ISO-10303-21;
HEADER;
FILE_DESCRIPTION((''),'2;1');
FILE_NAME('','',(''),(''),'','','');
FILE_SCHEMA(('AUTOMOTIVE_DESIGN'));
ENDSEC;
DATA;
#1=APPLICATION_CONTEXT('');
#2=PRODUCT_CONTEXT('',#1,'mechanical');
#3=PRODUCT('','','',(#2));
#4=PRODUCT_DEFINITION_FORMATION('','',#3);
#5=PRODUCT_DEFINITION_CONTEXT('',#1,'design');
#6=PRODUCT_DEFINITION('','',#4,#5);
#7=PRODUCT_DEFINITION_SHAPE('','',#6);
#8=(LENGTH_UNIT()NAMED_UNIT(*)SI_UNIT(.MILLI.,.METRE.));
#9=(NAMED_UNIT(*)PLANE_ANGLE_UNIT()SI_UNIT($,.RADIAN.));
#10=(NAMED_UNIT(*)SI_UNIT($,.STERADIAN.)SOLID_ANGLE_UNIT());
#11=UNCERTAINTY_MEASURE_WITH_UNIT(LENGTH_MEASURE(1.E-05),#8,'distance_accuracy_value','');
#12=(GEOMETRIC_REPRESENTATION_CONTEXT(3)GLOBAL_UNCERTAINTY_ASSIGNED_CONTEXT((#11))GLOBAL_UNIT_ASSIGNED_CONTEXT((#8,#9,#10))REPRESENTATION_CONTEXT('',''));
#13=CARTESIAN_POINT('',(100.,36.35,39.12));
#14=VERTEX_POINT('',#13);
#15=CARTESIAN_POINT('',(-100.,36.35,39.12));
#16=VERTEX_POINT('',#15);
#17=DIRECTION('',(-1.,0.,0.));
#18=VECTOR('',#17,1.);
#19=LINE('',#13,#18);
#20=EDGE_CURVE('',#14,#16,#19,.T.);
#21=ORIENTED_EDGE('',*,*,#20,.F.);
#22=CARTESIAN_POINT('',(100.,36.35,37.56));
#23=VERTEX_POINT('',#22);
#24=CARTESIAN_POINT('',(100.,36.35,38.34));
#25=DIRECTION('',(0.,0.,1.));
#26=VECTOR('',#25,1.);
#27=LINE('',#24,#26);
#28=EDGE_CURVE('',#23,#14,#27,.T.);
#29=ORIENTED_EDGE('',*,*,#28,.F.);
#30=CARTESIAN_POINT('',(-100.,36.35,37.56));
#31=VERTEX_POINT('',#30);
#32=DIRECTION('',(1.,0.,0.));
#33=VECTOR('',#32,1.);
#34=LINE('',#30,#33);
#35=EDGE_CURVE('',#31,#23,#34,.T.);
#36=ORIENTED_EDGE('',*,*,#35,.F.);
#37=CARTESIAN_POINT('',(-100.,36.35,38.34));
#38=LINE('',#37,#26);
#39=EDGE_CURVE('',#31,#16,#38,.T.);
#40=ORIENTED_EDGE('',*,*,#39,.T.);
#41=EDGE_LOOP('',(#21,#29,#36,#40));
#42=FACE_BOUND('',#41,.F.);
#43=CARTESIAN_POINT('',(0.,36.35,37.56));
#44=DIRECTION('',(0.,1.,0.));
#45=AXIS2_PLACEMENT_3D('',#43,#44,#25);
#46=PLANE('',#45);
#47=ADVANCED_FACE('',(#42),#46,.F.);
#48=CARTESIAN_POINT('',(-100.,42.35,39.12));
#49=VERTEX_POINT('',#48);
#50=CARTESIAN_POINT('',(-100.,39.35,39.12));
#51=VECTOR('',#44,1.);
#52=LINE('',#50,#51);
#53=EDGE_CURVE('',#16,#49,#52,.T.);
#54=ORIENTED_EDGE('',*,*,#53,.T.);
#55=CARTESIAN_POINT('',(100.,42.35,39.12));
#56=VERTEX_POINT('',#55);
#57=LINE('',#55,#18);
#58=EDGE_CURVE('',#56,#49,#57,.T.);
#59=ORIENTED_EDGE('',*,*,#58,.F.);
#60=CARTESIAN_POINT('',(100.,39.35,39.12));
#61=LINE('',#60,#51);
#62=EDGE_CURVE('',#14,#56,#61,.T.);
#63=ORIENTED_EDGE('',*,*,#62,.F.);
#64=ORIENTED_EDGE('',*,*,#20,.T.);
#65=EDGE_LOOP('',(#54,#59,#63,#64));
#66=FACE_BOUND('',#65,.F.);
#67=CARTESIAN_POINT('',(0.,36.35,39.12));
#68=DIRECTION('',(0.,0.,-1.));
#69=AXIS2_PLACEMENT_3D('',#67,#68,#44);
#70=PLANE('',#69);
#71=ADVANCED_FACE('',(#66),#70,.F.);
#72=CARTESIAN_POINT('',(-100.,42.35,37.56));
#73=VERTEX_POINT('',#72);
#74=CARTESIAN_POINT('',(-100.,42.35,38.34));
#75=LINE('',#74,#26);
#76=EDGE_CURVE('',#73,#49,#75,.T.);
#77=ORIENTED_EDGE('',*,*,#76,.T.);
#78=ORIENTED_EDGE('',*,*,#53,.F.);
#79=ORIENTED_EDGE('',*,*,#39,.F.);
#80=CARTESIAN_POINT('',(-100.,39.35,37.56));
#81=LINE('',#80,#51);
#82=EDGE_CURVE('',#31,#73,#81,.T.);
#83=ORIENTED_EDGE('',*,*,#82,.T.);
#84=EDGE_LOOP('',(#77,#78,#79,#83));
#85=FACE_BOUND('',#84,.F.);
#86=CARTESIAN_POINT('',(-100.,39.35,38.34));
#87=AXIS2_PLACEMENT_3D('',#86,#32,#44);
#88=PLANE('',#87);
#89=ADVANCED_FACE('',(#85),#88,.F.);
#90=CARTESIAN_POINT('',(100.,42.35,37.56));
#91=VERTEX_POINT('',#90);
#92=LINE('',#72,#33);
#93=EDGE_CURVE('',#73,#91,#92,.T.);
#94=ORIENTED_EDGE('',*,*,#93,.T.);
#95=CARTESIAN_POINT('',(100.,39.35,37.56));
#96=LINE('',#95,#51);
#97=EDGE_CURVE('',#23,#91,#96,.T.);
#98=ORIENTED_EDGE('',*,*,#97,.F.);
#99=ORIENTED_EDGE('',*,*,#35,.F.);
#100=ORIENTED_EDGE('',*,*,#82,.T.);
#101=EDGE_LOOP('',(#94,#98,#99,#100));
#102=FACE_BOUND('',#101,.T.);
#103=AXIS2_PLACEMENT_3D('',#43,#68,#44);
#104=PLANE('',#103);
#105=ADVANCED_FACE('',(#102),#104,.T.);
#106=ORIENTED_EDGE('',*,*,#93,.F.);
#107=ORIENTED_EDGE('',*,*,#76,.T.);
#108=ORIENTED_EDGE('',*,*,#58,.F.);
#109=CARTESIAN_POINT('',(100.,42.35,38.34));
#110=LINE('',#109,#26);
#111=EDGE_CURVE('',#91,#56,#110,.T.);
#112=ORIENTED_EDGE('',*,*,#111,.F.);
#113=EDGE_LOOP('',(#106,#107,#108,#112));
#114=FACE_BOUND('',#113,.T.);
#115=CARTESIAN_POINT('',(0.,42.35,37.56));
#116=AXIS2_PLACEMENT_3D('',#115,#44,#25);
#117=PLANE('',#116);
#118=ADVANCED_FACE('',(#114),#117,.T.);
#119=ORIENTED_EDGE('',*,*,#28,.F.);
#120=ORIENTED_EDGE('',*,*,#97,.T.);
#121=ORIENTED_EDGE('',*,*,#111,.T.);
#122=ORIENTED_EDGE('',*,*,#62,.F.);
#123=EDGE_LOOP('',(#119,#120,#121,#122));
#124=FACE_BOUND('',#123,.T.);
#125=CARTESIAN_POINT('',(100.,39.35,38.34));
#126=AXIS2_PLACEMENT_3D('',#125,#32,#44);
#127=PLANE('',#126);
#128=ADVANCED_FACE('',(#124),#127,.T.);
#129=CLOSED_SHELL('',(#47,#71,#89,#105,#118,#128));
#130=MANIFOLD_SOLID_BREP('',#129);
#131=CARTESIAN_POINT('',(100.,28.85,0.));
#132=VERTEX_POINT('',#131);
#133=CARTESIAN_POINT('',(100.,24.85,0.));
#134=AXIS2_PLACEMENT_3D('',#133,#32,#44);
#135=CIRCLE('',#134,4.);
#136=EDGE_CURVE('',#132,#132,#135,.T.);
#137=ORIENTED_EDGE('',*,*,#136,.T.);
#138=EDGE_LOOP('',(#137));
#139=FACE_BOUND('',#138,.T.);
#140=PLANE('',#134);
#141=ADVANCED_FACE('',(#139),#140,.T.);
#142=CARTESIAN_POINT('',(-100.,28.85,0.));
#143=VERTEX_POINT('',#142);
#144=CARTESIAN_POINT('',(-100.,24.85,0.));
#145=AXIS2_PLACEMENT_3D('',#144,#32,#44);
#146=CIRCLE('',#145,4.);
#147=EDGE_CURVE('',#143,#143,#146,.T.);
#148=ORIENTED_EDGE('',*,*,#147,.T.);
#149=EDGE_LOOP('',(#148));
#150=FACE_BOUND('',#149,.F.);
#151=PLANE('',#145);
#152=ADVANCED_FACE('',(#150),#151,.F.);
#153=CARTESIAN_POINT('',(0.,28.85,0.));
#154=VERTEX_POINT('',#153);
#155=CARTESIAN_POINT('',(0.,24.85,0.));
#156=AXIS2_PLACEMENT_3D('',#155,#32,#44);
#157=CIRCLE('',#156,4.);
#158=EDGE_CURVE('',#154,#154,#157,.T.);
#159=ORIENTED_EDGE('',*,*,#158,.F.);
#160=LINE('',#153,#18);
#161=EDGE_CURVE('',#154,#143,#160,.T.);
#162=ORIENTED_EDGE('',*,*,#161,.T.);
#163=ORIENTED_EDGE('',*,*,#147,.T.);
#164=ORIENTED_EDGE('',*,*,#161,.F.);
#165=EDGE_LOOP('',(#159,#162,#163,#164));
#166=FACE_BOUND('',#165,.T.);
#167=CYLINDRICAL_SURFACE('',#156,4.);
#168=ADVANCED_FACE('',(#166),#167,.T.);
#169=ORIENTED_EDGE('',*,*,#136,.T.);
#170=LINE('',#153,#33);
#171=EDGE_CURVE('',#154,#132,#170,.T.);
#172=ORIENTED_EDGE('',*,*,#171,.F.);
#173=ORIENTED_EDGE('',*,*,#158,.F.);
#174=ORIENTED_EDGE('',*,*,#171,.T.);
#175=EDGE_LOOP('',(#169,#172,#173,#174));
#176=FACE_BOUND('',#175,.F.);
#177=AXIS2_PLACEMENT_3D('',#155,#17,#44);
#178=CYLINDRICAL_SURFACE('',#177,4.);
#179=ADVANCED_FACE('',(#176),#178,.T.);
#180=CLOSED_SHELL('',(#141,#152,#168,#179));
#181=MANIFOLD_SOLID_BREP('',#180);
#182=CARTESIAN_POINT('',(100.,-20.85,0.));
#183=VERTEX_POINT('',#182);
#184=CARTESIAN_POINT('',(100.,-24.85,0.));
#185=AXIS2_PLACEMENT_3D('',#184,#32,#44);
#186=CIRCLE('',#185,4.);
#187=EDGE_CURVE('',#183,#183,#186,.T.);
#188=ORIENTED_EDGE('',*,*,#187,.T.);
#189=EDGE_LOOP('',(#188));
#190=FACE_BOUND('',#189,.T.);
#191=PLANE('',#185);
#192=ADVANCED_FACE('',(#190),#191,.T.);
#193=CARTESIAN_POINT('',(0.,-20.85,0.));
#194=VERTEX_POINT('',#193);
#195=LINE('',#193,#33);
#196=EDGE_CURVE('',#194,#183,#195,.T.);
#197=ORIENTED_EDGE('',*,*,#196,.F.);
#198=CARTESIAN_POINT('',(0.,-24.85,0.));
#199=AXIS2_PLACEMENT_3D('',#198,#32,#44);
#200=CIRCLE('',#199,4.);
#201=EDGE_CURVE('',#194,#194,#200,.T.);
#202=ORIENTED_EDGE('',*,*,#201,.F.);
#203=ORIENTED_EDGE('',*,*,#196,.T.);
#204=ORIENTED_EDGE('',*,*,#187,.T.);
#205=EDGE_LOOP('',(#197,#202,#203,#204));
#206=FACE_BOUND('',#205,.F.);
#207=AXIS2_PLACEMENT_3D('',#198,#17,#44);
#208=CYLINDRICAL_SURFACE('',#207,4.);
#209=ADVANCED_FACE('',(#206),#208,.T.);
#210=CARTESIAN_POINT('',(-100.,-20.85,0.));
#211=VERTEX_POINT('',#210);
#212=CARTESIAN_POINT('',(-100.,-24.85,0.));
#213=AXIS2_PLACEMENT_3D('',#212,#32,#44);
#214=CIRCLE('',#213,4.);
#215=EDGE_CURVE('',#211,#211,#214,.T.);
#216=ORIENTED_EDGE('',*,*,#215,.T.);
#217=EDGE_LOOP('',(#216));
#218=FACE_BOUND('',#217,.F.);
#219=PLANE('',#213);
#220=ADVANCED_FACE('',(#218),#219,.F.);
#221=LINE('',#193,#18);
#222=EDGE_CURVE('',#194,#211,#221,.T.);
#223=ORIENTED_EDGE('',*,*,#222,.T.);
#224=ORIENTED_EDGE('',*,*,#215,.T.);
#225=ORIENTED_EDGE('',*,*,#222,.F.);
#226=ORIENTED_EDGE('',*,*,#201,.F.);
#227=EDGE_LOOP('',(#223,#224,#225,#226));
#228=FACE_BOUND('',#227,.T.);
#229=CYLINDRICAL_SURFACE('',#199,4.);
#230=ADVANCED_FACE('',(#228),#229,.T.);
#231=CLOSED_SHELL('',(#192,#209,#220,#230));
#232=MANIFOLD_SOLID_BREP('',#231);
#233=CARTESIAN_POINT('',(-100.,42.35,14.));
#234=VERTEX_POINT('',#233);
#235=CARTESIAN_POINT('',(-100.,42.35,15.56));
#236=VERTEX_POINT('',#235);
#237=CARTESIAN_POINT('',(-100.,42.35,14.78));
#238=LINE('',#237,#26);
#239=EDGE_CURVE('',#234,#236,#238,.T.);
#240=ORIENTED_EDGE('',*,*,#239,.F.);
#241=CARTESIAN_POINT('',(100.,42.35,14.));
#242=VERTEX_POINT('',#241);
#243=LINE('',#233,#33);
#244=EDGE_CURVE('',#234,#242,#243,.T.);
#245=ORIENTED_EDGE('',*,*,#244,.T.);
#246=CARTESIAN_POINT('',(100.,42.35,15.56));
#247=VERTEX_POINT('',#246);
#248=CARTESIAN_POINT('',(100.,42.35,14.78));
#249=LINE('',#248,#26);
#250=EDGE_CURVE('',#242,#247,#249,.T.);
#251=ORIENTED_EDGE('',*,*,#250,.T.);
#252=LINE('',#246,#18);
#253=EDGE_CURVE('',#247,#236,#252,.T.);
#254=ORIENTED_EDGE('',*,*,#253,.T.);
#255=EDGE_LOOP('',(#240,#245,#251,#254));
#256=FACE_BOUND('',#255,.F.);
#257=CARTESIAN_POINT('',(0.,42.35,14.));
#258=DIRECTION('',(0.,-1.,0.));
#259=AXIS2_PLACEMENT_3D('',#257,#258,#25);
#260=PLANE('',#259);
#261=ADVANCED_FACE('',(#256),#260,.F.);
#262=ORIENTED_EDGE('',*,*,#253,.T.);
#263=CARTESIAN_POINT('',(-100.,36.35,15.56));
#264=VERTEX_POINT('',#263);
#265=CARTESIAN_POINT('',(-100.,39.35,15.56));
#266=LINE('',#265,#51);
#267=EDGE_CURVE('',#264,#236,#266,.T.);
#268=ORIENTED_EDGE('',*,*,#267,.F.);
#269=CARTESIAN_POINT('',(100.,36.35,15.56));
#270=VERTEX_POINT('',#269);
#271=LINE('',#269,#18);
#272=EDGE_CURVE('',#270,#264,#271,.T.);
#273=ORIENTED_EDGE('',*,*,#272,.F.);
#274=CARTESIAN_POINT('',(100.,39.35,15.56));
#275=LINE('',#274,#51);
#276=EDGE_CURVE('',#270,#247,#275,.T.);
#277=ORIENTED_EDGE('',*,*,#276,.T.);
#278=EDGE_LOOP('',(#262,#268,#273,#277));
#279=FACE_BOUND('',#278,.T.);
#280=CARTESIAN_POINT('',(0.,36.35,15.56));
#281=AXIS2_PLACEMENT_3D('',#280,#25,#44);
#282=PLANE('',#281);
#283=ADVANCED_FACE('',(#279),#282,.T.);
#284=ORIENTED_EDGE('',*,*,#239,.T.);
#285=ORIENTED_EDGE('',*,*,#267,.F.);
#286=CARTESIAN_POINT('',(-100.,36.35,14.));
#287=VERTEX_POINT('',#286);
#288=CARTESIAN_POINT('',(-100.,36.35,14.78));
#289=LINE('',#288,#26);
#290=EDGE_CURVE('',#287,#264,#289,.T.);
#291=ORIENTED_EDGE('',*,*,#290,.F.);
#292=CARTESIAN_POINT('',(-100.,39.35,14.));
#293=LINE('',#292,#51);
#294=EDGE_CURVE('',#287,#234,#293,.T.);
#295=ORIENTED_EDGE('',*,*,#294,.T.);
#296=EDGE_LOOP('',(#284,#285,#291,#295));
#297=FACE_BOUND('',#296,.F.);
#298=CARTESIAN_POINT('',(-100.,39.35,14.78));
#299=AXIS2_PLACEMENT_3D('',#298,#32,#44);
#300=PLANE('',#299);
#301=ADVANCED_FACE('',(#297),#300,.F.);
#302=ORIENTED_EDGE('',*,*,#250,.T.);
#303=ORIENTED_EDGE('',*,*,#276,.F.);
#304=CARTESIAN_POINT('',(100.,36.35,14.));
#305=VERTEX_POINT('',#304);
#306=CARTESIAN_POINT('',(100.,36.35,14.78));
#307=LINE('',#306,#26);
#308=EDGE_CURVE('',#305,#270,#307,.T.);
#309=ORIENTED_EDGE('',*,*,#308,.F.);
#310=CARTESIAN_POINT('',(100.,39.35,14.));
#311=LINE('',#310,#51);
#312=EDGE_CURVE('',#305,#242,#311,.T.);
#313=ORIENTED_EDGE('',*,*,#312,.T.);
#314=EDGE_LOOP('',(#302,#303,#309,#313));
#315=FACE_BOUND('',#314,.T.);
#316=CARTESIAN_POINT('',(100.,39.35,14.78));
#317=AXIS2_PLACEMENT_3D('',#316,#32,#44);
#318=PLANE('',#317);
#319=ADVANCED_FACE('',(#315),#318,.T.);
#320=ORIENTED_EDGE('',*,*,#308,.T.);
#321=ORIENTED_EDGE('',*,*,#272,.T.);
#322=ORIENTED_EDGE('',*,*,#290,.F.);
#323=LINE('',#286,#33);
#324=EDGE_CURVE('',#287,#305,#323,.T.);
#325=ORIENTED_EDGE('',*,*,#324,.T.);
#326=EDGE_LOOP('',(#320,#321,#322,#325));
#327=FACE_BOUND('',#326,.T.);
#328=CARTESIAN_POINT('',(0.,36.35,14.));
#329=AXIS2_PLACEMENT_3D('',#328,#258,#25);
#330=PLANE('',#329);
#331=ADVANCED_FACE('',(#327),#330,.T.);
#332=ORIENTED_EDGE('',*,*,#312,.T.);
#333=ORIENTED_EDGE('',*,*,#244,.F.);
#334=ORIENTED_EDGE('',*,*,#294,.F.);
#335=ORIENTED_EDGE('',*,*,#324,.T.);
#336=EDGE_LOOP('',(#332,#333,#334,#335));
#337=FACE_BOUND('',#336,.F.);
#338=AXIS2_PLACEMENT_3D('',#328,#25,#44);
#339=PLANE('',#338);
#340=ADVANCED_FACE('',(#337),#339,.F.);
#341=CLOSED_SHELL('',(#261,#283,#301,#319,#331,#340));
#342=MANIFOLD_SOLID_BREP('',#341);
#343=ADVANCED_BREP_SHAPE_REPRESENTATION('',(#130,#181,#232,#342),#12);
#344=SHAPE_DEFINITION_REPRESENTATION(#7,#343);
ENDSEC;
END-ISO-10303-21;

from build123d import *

# Parameters (mm, degrees)
F0_R     = 4
F0_W     = 6
F0_H     = 1.56
F1_DEPTH = 100


with BuildPart() as f1:
    # F0 (on Right) → F1 (new body, symmetric)
    with BuildSketch(Plane.YZ):
        with Locations((-24.85, 0)):
            Circle(F0_R)
        with Locations((24.85, 0)):
            Circle(F0_R)
        with Locations((39.35, 14.78)):
            Rectangle(F0_W, F0_H)
        with Locations((39.35, 38.34)):
            Rectangle(F0_W, F0_H)
    extrude(amount=F1_DEPTH, both=True)


solid = f1.part
